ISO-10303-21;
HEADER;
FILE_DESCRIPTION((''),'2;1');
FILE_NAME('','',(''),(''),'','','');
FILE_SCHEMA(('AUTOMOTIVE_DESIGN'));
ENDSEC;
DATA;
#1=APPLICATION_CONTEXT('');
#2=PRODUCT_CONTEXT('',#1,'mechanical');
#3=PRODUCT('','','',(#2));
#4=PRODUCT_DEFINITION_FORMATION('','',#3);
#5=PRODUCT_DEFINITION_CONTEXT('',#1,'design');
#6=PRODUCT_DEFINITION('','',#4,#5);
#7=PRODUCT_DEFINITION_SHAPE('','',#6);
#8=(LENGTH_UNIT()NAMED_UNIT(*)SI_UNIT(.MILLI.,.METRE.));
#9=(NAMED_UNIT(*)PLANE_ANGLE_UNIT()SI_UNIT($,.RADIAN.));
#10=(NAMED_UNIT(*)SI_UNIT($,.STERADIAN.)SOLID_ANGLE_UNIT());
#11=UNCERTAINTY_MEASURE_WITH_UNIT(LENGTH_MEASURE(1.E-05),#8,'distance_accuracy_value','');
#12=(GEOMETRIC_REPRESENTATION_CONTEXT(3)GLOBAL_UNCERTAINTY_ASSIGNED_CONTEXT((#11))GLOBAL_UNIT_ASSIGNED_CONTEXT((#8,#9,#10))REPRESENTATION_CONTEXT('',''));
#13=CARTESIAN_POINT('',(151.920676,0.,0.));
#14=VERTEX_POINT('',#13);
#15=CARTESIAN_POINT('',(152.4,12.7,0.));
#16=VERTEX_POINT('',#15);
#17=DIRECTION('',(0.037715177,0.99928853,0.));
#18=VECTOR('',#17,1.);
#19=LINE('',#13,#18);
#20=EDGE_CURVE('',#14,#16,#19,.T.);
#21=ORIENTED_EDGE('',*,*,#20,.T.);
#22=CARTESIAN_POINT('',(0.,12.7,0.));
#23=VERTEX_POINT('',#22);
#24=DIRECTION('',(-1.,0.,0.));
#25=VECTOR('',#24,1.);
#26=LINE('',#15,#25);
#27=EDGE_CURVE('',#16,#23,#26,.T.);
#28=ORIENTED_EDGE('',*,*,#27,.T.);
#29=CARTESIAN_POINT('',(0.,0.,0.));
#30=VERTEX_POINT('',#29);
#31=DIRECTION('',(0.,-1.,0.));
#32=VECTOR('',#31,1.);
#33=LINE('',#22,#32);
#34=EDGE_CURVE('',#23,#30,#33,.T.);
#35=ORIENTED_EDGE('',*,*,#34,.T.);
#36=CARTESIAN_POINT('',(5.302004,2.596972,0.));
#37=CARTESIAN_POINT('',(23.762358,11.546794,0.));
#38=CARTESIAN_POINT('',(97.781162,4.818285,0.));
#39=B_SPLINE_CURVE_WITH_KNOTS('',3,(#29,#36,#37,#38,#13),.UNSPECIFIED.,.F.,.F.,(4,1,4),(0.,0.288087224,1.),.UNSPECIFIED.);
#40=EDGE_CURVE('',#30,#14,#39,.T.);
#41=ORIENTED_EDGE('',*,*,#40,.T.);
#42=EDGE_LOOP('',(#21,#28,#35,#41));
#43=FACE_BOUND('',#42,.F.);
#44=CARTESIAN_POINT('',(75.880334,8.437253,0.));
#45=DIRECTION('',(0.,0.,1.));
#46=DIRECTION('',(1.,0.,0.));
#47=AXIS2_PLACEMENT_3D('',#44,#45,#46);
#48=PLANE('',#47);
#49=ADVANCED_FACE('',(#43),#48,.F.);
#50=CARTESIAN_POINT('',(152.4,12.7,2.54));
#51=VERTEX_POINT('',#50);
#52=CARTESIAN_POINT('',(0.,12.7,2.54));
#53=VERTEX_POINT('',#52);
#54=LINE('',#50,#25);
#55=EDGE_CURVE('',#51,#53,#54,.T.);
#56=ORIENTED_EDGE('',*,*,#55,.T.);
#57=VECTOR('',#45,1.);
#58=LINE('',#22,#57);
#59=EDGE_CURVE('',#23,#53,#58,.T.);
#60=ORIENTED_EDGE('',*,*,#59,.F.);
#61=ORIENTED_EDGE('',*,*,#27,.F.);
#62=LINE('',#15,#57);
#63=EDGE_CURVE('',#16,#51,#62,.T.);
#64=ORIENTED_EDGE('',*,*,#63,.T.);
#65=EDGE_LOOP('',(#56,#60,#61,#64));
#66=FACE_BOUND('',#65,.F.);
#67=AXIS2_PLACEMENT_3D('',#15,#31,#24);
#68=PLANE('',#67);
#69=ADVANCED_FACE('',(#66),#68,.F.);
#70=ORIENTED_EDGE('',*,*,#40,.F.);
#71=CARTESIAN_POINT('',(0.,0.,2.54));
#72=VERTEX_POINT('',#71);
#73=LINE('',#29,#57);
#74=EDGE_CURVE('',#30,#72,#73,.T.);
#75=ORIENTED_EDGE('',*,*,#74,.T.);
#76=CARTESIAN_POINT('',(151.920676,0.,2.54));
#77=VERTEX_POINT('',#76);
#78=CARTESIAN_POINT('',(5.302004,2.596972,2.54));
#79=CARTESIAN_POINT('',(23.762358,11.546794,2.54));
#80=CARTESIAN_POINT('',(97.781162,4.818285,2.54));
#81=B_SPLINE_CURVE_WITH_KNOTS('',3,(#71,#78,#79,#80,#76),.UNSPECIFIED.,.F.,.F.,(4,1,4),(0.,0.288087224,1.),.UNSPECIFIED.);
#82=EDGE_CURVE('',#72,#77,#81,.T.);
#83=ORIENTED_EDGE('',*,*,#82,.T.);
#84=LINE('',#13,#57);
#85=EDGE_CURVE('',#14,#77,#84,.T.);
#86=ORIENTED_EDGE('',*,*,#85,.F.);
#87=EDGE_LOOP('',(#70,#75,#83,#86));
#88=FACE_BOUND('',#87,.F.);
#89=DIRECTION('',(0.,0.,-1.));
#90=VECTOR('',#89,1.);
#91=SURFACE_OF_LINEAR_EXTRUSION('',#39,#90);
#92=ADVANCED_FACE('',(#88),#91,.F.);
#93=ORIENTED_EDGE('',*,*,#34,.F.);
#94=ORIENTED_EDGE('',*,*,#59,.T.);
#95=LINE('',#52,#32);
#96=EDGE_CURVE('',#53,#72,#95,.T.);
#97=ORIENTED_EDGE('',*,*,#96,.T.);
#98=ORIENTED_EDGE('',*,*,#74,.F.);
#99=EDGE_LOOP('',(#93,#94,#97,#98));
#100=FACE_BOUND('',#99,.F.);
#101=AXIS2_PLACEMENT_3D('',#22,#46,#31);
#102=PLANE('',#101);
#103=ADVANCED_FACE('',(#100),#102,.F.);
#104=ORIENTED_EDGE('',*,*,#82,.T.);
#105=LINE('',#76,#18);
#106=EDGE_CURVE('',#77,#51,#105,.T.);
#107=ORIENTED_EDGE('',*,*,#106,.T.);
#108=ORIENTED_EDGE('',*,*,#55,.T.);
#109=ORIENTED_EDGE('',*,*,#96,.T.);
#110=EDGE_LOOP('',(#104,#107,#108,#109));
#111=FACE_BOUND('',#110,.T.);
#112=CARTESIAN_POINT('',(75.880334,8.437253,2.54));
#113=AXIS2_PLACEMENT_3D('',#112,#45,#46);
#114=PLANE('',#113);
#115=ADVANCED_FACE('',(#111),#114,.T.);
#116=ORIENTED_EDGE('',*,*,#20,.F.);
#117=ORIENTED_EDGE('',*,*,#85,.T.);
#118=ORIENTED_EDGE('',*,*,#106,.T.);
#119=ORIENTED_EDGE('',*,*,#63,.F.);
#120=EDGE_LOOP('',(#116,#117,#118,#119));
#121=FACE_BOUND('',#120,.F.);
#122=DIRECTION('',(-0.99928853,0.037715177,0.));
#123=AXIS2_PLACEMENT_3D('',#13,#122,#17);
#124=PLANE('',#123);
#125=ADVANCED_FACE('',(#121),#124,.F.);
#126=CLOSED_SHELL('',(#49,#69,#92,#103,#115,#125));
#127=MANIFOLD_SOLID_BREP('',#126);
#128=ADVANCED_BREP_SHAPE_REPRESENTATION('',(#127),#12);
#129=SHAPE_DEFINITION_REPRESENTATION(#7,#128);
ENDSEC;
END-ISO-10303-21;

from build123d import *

# Parameters (mm, degrees)
F2_DEPTH = 2.54


with BuildPart() as f2:
    # F1 (on face) → F2 (new body)
    with BuildSketch(Plane.XY):
        with BuildLine():
            Line((0, 12.7), (0, 0))
            add(Edge.make_bspline(
                [(0, 0), (5.3020041395, 2.5969721022), (23.7623583323, 11.5467936119), (97.7811616433, 4.8182848467), (151.9206762314, 0)],
                knots=[0, 0, 0, 0, 0.288087224, 1, 1, 1, 1], degree=3))
            Line((151.9206762314, 0), (152.4, 12.7))
            Line((152.4, 12.7), (0, 12.7))
        make_face()
    extrude(amount=F2_DEPTH)


solid = f2.part
